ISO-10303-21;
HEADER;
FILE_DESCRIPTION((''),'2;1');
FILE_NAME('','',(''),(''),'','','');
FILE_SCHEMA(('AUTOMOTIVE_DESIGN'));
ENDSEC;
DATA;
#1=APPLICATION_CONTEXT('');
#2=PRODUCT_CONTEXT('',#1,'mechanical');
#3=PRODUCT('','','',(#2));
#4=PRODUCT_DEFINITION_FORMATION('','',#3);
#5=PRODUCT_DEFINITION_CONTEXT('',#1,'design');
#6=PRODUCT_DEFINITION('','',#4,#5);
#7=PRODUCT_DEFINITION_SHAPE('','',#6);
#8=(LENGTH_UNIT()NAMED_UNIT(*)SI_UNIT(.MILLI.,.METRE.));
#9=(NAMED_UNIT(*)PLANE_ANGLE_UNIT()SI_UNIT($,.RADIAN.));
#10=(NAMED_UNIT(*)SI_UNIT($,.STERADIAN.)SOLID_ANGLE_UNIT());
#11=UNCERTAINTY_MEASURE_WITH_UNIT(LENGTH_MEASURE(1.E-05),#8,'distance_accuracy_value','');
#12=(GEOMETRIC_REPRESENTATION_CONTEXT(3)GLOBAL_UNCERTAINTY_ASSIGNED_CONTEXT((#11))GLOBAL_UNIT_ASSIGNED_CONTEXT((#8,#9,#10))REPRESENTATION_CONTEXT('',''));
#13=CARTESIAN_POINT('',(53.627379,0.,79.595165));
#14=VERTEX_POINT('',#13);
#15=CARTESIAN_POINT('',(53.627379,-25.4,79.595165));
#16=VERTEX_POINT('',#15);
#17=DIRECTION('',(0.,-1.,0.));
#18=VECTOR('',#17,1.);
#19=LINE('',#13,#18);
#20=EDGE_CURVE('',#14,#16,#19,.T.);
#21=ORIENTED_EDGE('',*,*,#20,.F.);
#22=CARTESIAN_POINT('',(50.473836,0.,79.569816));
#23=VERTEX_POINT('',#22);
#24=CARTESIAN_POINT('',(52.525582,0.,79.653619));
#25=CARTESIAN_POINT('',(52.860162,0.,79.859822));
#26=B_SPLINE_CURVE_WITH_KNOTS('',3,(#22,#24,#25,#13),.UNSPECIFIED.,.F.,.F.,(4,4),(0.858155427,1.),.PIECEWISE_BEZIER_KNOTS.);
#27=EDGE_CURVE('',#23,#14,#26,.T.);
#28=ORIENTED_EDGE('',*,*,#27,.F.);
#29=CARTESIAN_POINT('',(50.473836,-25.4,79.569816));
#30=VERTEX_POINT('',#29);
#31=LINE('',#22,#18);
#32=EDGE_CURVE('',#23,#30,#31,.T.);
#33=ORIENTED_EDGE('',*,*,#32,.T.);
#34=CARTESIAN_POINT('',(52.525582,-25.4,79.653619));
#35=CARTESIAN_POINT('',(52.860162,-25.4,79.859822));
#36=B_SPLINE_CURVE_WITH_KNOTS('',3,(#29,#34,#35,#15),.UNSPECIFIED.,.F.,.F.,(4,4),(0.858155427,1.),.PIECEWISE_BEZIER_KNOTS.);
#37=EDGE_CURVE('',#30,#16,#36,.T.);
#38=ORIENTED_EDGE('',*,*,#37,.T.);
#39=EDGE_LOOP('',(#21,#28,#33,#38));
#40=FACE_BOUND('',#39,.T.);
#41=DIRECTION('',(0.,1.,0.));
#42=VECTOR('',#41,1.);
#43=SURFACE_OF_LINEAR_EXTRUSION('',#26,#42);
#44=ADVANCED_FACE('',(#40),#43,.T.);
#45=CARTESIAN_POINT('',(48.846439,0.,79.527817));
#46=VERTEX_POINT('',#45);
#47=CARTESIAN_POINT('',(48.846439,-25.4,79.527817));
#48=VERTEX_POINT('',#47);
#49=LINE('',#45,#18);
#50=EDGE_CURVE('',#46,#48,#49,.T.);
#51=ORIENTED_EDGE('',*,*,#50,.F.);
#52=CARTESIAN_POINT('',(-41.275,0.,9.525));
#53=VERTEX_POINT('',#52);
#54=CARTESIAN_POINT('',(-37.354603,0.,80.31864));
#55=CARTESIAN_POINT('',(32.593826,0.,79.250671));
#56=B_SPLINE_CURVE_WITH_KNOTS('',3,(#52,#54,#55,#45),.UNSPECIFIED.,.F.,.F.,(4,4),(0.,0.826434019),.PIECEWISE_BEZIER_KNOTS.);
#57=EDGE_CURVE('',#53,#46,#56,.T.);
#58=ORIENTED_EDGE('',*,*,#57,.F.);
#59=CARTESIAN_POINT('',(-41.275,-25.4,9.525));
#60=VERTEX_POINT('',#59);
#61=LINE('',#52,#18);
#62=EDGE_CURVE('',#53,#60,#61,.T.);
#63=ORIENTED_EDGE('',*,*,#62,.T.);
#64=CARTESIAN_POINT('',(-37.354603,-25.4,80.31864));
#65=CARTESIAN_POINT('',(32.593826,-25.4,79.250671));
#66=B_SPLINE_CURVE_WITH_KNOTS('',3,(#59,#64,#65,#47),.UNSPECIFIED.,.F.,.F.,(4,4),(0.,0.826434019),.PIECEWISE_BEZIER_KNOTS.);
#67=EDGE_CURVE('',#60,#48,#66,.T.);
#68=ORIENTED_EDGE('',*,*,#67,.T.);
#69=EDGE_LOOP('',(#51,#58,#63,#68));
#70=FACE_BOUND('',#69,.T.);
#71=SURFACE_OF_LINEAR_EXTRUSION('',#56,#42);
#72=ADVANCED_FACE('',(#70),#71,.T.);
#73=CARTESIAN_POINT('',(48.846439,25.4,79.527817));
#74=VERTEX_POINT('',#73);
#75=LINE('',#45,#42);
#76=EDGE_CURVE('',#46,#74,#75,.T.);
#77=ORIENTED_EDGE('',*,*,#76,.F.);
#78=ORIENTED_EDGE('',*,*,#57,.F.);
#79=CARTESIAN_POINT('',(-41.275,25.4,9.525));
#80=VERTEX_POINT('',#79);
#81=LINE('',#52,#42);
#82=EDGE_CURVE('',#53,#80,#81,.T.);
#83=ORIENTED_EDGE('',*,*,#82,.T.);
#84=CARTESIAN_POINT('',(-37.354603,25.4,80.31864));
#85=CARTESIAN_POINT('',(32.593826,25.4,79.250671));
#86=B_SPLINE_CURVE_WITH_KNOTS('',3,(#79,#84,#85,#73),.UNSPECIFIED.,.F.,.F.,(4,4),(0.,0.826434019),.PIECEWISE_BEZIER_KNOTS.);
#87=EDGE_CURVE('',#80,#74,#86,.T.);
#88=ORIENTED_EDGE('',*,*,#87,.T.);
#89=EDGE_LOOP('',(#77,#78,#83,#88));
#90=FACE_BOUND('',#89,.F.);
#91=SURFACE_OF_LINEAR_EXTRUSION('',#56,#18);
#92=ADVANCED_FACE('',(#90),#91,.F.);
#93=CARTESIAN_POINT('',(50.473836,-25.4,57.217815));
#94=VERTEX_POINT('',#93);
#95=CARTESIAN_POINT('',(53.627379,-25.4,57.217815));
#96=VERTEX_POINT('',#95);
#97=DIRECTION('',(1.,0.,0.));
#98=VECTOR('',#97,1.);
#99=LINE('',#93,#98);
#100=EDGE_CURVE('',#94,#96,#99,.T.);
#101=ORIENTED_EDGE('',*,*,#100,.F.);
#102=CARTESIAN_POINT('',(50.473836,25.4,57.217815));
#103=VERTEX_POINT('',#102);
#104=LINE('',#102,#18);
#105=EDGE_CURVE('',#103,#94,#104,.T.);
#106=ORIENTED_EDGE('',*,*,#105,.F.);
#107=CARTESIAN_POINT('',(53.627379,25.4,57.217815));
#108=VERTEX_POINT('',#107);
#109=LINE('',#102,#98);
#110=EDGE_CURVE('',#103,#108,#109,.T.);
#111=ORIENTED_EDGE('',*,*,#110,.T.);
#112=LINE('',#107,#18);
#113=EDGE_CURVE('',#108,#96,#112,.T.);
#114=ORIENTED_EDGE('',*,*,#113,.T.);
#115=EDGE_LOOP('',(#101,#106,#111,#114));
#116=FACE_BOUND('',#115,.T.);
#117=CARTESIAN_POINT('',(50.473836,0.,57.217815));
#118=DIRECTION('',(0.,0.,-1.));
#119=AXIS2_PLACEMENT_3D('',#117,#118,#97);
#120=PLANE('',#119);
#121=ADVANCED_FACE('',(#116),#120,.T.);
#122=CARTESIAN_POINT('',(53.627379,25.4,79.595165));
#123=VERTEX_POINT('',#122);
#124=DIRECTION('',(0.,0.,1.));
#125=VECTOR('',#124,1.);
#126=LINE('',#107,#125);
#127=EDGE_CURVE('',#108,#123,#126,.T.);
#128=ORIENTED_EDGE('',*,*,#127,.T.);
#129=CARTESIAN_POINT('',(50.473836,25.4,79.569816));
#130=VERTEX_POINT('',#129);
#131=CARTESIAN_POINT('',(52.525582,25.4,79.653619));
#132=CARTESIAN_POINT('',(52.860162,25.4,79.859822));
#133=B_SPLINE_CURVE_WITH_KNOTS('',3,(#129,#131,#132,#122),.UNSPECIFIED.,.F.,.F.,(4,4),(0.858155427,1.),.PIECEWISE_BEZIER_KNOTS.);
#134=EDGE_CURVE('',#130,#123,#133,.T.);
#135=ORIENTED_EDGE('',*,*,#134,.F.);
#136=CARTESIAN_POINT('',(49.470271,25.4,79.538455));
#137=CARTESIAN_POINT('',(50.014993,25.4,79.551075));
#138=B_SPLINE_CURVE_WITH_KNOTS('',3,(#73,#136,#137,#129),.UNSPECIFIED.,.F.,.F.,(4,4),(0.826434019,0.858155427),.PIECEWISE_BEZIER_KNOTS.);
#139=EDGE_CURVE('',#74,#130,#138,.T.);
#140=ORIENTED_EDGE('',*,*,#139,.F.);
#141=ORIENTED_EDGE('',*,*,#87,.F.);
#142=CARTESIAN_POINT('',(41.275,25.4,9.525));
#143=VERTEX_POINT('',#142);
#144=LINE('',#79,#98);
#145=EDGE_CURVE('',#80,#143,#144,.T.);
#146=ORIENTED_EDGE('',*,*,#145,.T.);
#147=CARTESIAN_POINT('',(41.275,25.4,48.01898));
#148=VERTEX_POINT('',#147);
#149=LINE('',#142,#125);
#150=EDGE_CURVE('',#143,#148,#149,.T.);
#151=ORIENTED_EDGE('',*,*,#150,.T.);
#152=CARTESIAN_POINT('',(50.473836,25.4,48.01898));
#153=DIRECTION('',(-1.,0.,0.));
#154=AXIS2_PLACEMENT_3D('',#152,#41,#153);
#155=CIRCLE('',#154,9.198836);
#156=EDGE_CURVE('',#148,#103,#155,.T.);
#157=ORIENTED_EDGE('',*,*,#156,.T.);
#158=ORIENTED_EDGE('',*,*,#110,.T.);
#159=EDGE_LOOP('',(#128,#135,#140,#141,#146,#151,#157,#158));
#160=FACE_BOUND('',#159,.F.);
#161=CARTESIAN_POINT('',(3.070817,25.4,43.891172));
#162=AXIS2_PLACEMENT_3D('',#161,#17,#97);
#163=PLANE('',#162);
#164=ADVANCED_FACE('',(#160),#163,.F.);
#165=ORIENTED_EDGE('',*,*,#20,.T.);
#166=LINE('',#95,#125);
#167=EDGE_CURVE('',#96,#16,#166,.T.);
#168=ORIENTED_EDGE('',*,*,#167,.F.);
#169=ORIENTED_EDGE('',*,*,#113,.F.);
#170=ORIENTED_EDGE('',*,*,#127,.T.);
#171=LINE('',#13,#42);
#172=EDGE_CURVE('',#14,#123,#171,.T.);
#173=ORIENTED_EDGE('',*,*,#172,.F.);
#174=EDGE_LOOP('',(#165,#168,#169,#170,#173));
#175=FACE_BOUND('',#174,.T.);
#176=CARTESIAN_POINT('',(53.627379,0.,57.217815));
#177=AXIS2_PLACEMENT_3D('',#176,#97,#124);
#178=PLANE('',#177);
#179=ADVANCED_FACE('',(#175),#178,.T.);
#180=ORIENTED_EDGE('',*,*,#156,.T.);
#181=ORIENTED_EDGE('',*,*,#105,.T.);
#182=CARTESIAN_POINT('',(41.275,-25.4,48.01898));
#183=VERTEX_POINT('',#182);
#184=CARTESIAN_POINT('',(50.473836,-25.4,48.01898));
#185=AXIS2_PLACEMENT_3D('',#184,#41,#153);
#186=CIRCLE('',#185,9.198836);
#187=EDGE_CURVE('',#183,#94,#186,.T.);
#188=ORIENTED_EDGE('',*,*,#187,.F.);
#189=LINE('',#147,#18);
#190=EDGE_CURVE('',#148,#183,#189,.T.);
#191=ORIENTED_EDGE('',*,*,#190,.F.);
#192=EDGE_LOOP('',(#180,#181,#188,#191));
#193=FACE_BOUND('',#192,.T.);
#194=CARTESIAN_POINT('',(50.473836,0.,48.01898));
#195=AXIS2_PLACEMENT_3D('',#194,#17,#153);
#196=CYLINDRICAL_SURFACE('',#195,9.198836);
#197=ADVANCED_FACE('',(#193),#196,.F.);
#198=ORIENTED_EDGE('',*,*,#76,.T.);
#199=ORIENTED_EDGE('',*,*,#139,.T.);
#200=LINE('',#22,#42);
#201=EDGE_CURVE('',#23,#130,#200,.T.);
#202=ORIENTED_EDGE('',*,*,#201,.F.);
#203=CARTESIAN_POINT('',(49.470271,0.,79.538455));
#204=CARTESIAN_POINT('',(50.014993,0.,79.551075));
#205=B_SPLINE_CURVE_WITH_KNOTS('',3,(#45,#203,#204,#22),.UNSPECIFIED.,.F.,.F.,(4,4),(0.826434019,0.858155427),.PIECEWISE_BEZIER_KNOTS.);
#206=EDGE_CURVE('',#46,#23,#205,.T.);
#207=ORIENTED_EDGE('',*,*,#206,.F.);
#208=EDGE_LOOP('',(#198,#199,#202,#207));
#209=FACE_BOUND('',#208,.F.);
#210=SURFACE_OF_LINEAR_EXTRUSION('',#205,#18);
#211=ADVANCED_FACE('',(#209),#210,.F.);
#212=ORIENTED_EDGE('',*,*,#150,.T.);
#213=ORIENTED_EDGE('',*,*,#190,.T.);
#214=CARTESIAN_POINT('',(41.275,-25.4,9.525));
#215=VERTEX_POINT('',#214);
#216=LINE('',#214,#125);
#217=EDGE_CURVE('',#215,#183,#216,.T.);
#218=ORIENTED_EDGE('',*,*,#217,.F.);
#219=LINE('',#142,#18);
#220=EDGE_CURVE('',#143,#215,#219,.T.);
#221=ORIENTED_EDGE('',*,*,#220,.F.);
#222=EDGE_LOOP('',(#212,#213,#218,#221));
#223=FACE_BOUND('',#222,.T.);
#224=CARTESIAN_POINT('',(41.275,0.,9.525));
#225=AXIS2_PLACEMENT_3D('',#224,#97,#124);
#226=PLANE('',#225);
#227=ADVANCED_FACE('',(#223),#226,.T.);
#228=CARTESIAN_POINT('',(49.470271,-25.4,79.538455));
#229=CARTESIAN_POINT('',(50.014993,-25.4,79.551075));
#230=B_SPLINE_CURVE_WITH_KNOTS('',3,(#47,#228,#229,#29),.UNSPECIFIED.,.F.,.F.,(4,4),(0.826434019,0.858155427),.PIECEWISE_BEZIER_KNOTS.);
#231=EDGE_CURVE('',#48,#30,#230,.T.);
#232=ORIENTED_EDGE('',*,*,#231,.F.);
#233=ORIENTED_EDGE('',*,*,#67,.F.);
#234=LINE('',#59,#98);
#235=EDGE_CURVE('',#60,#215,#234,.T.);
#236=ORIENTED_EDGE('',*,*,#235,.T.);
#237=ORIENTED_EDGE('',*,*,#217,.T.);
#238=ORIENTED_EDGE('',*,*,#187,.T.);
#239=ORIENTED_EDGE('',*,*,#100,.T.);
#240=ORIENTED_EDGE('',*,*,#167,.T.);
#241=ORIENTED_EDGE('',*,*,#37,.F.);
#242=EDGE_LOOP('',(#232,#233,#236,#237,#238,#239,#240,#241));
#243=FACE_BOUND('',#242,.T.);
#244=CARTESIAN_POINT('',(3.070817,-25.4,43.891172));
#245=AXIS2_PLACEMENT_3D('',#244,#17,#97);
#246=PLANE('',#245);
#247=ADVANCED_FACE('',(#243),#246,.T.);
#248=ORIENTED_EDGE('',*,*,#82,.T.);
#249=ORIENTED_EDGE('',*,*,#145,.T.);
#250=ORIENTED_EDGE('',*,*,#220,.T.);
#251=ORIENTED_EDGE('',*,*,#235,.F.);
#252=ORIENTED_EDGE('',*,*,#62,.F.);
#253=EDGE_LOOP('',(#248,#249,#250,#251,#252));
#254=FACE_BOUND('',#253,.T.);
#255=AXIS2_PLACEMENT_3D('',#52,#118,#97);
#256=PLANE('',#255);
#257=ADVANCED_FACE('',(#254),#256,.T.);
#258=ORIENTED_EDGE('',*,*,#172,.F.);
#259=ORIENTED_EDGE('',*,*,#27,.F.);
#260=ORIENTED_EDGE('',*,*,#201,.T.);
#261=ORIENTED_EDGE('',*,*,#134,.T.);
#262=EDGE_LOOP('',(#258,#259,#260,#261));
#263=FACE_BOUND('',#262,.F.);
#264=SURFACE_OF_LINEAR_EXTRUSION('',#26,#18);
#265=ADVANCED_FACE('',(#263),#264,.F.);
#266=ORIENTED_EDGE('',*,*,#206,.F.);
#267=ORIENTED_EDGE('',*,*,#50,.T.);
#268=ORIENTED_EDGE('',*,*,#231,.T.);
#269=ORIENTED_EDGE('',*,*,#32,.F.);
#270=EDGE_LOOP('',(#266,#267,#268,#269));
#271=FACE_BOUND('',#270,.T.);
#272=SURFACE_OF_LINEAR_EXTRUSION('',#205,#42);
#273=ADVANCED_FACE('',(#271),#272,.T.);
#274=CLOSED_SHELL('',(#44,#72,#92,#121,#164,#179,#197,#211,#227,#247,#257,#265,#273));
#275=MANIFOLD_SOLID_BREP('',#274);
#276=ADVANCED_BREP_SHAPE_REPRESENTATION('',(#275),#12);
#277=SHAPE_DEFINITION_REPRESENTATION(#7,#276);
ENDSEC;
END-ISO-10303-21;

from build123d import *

# Parameters (mm, degrees)
F1_DEPTH = 25.4


with BuildPart() as f1:
    # F0 (on Front) → F1 (new body, symmetric)
    with BuildSketch(Plane.XZ):
        with BuildLine():
            Line((-41.275, 9.525), (18.9229995012, 9.525))
            Line((18.9229995012, 9.525), (18.9229995012, 48.0189798517))
            ThreePointArc((18.9229995012, 48.0189798517), (27.5958880394, 69.7458014014), (48.8464394104, 79.5278173835))
            add(Edge.make_bspline(
                [(-41.275, 9.525), (-37.3546025083, 80.3186400557), (32.5938258146, 79.2506709796), (48.8464394104, 79.5278173835)],
                knots=[0, 0, 0, 0, 0.8264340186, 0.8264340186, 0.8264340186, 0.8264340186], degree=3))
        make_face()
        with BuildLine():
            Line((18.9229995012, 9.525), (41.275, 9.525))
            Line((41.275, 9.525), (41.275, 48.0189798517))
            ThreePointArc((41.275, 48.0189798517), (43.9692765801, 54.5235389122), (50.4738356406, 57.2178154923))
            Line((50.4738356406, 57.2178154923), (53.6273793955, 57.2178154923))
            Line((53.6273793955, 57.2178154923), (53.6273793955, 79.5951649401))
            add(Edge.make_bspline(
                [(50.4738356406, 79.5698159911), (52.5255819675, 79.6536185215), (52.860162183, 79.8598219744), (53.6273793955, 79.5951649401)],
                knots=[0.8581554272, 0.8581554272, 0.8581554272, 0.8581554272, 1, 1, 1, 1], degree=3))
            add(Edge.make_bspline(
                [(48.8464394104, 79.5278173835), (49.4702711805, 79.5384552253), (50.0149933862, 79.5510748137), (50.4738356406, 79.5698159911)],
                knots=[0.8264340186, 0.8264340186, 0.8264340186, 0.8264340186, 0.8581554272, 0.8581554272, 0.8581554272, 0.8581554272], degree=3))
            ThreePointArc((48.8464394104, 79.5278173835), (27.5958880394, 69.7458014014), (18.9229995012, 48.0189798517))
            Line((18.9229995012, 48.0189798517), (18.9229995012, 9.525))
        make_face()
    extrude(amount=F1_DEPTH, both=True)


solid = f1.part
